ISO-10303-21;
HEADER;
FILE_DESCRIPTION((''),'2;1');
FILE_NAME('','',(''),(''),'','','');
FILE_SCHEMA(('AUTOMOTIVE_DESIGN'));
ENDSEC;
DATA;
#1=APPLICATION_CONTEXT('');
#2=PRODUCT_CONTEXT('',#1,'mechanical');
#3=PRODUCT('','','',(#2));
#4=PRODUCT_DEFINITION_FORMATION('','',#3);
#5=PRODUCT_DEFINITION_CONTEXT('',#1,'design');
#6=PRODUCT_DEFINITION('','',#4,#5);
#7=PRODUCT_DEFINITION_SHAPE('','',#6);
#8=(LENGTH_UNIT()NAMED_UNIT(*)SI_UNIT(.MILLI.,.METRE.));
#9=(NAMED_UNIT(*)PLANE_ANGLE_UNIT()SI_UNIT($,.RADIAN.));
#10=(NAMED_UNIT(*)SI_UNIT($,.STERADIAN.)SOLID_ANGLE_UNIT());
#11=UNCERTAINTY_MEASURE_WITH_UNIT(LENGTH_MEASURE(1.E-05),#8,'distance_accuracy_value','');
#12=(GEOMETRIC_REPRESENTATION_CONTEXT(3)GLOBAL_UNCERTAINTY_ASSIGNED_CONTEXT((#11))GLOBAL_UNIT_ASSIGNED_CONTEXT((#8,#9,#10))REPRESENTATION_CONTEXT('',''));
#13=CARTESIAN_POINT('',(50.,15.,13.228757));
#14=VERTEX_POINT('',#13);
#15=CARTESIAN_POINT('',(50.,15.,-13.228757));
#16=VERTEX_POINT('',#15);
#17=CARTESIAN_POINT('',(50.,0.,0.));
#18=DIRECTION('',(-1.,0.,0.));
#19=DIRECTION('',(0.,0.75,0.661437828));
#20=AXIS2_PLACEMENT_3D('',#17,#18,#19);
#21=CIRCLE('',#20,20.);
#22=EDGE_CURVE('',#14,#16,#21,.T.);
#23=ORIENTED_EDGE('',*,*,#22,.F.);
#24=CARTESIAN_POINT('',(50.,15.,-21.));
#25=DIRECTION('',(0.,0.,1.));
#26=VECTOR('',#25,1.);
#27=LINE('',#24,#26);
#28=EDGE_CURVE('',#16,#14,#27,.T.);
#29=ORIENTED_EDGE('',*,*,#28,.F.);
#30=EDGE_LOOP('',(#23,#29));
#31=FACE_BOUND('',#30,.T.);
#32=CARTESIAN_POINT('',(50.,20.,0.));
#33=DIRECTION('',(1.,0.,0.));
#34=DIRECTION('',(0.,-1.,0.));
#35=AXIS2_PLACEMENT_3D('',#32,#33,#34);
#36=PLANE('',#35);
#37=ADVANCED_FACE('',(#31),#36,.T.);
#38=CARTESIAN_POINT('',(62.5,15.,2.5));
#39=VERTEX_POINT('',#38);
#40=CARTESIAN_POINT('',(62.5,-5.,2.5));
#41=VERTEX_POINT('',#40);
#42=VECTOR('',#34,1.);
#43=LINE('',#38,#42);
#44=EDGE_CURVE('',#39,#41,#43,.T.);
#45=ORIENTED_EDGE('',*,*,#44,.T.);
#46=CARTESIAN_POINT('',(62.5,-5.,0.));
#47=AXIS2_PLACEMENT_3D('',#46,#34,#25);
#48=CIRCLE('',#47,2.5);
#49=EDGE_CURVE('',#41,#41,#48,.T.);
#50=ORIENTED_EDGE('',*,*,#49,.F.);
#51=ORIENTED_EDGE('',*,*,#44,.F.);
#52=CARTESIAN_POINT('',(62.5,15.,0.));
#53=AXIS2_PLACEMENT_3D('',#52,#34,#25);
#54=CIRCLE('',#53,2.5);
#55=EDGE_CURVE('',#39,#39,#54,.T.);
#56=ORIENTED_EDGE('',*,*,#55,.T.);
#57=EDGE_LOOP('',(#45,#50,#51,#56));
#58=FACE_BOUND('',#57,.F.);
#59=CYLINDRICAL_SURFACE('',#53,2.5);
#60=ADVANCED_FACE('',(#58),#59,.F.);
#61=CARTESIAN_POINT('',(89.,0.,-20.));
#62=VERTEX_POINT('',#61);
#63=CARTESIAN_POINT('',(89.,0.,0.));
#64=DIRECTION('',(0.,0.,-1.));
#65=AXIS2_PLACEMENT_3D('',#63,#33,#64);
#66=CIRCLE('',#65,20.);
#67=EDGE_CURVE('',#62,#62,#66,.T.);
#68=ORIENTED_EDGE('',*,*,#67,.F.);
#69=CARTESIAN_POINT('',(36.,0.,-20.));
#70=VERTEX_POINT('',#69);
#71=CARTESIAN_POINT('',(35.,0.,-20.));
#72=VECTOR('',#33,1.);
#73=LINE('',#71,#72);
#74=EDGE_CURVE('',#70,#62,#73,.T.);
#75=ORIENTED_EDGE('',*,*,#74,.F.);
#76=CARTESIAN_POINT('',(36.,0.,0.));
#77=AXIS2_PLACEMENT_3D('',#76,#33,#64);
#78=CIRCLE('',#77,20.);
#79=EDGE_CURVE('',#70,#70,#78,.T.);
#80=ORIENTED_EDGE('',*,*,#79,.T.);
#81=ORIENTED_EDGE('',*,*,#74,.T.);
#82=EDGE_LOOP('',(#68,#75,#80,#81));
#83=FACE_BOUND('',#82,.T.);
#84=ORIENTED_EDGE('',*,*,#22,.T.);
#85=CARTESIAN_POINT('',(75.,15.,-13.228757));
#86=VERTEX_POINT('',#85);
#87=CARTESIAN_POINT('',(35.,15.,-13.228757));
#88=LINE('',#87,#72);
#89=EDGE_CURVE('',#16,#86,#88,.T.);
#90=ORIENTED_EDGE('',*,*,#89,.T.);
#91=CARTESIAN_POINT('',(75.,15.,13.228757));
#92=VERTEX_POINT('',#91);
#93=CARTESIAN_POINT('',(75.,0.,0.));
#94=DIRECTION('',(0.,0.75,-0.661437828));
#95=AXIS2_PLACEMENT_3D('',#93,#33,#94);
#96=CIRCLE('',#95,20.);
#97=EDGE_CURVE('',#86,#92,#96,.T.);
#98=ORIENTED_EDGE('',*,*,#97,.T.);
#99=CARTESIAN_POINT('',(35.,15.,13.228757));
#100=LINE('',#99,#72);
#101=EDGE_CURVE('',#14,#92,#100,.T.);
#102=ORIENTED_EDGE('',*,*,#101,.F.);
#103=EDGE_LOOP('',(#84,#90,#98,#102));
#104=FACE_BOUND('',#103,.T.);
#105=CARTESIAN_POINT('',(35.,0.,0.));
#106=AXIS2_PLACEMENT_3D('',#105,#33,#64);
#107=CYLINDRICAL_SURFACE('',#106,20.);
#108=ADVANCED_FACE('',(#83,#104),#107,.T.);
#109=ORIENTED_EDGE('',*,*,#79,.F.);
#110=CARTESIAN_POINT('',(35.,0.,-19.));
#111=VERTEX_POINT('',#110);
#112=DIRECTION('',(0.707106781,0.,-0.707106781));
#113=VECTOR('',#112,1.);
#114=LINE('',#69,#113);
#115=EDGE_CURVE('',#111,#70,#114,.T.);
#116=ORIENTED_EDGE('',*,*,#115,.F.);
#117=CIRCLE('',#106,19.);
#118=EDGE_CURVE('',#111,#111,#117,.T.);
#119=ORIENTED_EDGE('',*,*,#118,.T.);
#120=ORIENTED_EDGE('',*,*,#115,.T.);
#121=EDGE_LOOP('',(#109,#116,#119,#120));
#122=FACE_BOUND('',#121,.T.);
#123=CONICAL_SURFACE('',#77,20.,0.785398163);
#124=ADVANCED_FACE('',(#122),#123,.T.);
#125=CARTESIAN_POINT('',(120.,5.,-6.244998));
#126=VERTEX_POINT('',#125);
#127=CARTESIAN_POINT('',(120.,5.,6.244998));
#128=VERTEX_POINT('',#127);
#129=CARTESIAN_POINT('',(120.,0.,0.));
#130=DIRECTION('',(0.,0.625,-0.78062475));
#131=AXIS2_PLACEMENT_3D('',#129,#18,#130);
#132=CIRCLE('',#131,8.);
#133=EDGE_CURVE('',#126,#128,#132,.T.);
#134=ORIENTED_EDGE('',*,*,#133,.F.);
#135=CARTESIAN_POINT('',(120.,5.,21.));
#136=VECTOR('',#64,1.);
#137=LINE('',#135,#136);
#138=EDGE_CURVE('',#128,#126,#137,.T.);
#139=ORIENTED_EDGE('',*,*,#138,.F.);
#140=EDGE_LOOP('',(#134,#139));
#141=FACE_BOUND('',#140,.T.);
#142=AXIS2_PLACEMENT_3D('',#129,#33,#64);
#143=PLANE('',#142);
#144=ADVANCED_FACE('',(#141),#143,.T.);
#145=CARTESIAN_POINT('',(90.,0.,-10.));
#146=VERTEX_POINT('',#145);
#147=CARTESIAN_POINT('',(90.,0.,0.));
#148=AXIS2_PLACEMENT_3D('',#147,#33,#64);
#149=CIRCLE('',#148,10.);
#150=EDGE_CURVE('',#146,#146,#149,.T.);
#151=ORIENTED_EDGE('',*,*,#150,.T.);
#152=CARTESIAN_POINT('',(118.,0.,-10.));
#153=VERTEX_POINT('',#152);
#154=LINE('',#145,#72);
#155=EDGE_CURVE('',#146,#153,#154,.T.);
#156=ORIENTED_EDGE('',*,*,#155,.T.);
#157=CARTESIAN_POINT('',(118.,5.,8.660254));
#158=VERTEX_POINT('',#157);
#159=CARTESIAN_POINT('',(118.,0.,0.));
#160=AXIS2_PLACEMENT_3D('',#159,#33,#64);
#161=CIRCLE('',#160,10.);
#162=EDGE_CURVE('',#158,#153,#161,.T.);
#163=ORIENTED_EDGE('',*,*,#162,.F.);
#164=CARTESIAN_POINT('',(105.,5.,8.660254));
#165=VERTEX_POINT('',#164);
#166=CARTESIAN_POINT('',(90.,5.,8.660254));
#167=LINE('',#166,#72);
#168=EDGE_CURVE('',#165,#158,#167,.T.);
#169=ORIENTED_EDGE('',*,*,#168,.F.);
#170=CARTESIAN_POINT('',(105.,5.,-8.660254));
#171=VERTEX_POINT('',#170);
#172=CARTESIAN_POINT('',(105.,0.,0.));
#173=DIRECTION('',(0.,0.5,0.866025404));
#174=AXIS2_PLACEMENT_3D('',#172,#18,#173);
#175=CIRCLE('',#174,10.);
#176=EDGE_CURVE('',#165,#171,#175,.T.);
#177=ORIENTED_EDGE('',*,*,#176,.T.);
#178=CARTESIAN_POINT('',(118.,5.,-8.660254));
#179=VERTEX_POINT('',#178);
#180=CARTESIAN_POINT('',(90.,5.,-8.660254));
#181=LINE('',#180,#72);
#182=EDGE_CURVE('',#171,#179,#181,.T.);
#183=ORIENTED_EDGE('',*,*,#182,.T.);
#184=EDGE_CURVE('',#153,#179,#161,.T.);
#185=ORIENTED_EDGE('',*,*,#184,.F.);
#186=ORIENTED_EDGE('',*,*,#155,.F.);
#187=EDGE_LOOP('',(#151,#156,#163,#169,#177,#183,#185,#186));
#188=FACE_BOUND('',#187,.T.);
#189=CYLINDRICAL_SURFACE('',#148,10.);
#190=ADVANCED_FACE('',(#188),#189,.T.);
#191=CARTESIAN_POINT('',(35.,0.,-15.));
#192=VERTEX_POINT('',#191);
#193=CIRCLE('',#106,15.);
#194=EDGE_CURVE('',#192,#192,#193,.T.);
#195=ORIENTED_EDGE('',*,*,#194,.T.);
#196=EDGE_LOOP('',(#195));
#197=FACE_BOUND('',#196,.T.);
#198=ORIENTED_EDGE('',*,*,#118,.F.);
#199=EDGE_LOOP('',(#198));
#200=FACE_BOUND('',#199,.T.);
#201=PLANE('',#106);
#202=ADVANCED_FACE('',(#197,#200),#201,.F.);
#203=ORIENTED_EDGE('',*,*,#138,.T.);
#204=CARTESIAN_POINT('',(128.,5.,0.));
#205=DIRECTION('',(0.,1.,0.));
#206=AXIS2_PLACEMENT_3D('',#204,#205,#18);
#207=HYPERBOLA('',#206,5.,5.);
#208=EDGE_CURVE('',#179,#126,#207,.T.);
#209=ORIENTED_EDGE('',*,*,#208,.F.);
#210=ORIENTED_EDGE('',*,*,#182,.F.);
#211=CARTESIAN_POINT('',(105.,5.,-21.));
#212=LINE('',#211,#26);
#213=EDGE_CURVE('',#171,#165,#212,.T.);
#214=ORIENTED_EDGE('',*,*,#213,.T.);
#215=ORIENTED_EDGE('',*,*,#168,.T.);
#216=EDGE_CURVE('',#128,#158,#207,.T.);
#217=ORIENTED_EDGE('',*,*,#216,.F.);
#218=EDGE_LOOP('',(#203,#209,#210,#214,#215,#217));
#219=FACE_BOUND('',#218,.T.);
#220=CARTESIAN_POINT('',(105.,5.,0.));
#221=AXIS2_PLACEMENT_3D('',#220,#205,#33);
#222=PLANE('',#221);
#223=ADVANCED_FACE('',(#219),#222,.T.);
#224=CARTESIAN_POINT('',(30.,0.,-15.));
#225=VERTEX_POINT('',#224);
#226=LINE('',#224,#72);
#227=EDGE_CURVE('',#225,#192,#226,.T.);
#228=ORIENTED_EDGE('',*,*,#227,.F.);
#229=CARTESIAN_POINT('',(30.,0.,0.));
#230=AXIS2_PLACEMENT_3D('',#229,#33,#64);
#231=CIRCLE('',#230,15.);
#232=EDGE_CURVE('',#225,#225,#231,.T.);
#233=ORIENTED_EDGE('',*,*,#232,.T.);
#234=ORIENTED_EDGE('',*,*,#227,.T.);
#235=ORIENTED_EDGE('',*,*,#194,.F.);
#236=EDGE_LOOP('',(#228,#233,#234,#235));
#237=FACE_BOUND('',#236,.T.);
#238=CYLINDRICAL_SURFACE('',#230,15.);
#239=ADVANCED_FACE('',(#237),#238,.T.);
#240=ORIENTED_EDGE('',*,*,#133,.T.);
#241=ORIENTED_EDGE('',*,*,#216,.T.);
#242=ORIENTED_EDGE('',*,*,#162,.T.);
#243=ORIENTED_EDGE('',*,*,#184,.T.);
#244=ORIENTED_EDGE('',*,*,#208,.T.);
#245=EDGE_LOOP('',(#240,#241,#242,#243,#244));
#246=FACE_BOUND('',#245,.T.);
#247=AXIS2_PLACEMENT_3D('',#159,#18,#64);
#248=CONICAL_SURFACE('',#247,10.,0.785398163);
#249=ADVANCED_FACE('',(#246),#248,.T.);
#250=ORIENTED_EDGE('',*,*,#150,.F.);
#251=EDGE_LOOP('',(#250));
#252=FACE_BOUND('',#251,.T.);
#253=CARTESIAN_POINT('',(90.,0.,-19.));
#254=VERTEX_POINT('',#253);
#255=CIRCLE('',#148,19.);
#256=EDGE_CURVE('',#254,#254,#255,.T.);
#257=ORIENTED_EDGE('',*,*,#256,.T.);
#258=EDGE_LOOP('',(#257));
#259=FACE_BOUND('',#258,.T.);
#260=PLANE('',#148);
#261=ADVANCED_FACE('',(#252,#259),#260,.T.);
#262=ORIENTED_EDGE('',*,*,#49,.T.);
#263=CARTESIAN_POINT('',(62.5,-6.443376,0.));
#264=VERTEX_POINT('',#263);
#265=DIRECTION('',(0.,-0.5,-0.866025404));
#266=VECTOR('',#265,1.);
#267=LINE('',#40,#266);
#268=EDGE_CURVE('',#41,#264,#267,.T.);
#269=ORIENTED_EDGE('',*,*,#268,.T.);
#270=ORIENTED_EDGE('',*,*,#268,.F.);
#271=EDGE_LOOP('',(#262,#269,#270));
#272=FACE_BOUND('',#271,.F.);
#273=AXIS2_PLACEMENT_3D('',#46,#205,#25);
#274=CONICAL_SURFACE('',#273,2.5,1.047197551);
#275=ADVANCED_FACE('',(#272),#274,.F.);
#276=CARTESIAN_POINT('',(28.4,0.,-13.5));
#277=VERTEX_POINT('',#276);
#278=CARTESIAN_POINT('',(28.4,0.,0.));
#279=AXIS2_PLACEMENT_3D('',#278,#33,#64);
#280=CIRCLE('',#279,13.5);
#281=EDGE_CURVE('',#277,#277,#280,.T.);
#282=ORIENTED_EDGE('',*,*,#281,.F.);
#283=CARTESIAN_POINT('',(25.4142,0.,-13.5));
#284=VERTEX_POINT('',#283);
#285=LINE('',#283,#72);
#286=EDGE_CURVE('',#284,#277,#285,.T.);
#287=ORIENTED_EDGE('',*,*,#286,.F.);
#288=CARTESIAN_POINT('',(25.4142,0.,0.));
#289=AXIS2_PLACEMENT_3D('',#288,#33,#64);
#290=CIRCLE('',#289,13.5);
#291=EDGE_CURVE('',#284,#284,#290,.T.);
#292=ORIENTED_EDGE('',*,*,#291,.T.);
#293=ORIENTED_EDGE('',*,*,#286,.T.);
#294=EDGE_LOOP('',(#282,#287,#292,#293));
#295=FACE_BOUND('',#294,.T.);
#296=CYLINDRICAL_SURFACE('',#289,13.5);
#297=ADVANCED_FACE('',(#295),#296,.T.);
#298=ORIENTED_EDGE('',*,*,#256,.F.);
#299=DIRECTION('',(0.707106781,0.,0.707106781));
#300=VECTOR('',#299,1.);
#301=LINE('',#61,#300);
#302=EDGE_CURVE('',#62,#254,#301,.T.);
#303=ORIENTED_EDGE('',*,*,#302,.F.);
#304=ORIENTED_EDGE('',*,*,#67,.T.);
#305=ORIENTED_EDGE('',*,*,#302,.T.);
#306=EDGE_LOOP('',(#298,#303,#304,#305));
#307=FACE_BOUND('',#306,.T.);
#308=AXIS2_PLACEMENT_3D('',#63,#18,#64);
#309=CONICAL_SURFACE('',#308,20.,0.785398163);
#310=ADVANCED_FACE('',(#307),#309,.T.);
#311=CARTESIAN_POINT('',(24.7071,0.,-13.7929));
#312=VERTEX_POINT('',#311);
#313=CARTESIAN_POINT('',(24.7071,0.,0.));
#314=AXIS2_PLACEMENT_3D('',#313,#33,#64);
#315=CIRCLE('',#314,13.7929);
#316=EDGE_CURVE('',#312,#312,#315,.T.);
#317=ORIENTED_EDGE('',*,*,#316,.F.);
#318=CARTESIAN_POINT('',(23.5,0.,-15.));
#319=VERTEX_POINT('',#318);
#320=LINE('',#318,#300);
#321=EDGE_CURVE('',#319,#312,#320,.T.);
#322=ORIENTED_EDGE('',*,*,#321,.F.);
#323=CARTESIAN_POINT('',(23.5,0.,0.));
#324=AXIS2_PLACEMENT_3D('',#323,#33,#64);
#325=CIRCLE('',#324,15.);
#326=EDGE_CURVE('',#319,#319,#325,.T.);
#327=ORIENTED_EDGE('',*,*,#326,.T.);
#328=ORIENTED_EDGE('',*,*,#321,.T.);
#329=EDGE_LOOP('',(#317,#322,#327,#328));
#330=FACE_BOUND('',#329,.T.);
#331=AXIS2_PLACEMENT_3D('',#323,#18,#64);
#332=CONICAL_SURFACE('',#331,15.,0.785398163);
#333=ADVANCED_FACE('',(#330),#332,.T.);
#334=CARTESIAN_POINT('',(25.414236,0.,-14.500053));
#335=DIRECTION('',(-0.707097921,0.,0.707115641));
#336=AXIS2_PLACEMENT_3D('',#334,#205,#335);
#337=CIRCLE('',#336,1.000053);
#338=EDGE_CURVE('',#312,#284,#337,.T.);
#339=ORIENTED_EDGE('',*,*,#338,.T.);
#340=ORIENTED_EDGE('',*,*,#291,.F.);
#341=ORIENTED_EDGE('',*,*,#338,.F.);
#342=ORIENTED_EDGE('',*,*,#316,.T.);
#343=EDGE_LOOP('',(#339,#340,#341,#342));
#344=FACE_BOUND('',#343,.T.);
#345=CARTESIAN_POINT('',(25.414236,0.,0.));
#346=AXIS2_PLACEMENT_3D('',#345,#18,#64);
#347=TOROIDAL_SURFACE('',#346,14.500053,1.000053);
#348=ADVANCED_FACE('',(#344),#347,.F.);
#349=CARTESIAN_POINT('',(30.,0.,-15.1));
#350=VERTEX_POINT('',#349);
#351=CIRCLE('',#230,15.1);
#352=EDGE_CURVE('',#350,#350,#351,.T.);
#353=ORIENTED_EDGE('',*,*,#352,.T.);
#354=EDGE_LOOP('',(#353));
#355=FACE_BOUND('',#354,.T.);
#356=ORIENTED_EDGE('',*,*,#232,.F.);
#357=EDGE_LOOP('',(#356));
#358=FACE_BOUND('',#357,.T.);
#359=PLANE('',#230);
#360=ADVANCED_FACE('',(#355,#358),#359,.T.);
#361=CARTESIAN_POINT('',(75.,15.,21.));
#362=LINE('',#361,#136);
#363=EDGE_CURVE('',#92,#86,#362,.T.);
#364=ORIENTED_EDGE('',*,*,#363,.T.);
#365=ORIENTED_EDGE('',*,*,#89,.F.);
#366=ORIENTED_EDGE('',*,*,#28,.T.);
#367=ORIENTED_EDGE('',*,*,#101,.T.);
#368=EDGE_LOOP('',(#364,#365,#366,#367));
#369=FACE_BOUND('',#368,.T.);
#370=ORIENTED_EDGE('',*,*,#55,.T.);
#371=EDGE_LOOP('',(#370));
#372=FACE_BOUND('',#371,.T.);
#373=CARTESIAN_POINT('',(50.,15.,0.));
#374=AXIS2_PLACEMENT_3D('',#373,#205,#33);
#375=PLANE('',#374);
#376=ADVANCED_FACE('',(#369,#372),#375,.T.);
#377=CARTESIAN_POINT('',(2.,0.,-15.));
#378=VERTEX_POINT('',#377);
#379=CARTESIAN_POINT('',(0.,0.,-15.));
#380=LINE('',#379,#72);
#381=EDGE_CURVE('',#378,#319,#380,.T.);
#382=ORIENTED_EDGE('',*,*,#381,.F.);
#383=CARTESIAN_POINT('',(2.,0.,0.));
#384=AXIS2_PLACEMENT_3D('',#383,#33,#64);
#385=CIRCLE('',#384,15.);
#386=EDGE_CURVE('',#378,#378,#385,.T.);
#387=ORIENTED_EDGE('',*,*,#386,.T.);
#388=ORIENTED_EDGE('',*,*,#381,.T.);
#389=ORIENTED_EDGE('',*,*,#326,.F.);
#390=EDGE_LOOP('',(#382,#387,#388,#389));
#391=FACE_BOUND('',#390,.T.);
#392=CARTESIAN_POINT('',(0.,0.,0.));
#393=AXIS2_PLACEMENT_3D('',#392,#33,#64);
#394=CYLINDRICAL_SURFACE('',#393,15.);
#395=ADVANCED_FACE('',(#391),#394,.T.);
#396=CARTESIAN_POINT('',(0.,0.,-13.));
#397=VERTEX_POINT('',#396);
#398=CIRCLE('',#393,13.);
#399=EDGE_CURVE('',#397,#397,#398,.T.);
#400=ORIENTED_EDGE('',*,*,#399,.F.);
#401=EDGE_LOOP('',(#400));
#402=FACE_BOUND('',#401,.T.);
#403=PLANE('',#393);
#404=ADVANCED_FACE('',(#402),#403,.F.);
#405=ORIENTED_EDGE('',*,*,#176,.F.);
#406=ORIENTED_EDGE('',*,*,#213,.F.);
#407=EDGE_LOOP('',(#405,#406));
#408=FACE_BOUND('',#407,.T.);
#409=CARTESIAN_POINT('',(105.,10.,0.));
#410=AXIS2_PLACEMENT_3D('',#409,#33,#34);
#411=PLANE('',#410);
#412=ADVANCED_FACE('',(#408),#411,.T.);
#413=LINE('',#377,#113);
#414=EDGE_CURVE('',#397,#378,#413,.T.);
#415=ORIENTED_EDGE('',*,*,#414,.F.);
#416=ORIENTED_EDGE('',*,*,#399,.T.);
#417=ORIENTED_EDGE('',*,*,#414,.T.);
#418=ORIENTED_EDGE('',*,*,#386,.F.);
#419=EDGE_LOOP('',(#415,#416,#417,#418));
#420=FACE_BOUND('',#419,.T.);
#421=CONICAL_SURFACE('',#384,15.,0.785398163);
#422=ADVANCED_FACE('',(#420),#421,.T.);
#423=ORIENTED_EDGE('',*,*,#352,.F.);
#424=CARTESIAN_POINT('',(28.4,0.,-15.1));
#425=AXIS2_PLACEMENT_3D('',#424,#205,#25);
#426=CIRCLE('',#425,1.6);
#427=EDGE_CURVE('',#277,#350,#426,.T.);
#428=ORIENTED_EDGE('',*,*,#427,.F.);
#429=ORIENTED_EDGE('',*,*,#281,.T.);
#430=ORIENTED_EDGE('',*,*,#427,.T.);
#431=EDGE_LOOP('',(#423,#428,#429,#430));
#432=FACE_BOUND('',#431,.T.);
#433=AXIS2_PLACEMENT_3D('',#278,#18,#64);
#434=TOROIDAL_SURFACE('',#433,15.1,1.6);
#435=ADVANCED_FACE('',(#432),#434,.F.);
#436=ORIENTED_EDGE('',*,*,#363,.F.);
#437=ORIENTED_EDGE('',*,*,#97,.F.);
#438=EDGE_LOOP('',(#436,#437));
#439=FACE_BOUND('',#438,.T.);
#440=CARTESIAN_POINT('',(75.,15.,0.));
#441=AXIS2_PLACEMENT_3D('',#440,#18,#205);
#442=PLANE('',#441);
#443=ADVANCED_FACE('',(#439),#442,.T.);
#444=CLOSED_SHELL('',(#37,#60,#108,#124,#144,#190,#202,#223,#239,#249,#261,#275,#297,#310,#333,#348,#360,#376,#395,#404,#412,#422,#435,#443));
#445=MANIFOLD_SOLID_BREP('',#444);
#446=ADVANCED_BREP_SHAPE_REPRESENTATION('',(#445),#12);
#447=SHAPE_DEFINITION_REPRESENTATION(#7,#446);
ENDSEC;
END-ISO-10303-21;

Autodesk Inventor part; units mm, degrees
ref_plane "YZ Plane" through (0, 0, 0) normal (1, 0, 0) x (0, 1, 0)
ref_plane "XZ Plane" through (0, 0, 0) normal (0, 1, 0) x (-1, 0, 0)
ref_plane "XY Plane" through (0, 0, 0) normal (0, 0, 1) x (1, 0, 0)
sketch "Эскиз1" plane through (0, 0, 0) normal (0, 1, 0) x (-1, 0, 0)
  line L0 (0, 0) -> (0, -15)
  line L1 (0, -15) -> (-23.5, -15)
  line L2 (-23.5, -15) -> (-24.7071, -13.7929)
  line L3 (-25.4142, -13.5) -> (-28.4, -13.5)
  line L4 (-35, -20) -> (-90, -20)
  line L5 (-90, -20) -> (-90, -10)
  line L6 (-90, -10) -> (-120, -10)
  line L7 (-120, -10) -> (-120, 0)
  line L8 (-30, -15.1) -> (-30, -15)
  line L9 (-30, -15) -> (-35, -15)
  line L10 (-35, -15) -> (-35, -20)
  line L11 (0, 0) -> (-120, 0)
  line L12 (24, 0) -> (-144, 0) projected
  arc A0 (-24.7071, -13.7929) -> (-25.4142, -13.5) centre (-25.4142, -14.5) ccw
  arc A1 (-28.4, -13.5) -> (-30, -15.1) centre (-28.4, -15.1) ccw
  point P0 (-25, -13.5)
  point P1 (-30, -13.5)
  dimension "d3" = 45
  dimension "d6" = 5
  dimension "d8" = 30
  dimension "d9" = 35
  dimension "d11" = 55
  dimension "d14" = 15
  dimension "d15" = 13.5
  dimension "d16" = 15
  dimension "d17" = 20
  dimension "d18" = 10
  dimension "d19" = 120
  dimension "d20" = 1
  dimension "d21" = 1.6
revolve "Вращение1" add sketch "Эскиз1" angle 360 about axis through (-10, 0, 0) along (1, 0, 0)
thread "Резьба1" size "M30x2" class "6g" standard "ANSI Metric M Profile" full length
chamfer "Фаска1" distance 2 angle 45 2 edges at (0, 0, 15) (120, 0, 10)
chamfer "Фаска2" distance 1 angle 45 2 edges at (35, 0, 20) (90, 0, 20)
sketch "Эскиз2" plane through (0, 0, 0) normal (0, 0, 1) x (1, 0, 0)
  line L0 (105, 10) -> (105, 5)
  line L1 (105, 5) -> (120, 5)
  line L2 (120, 5) -> (120, 10)
  line L3 (120, 10) -> (105, 10)
  line L4 (120, 8) -> (120, -8) projected
  line L5 (90, 10) -> (118, 10) projected
  line L6 (90, -10) -> (118, -10) projected
  point P0 (0, 0)
  dimension "d30" = 15
  dimension "d31" = 15
extrude "Выдавливание1" cut sketch "Эскиз2" along normal through all both and the other way through all
sketch "Эскиз3" plane through (0, 0, 0) normal (0, 0, 1) x (1, 0, 0)
  line L0 (50, 20) -> (50, 15)
  line L1 (50, 15) -> (75, 15)
  line L2 (75, 15) -> (75, 20)
  line L3 (75, 20) -> (50, 20)
  line L4 (35, -19) -> (35, 19) projected
  line L5 (36, 20) -> (89, 20) projected
  line L6 (36, -20) -> (89, -20) projected
  point P0 (0, 0)
  dimension "d34" = 35
  dimension "d35" = 15
  dimension "d36" = 25
extrude "Выдавливание2" cut sketch "Эскиз3" along normal through all both and the other way through all
sketch "Эскиз4" plane through (50, 15, -13.2288) normal (0, 1, 0) x (1, 0, 0)
  line L0 (-74, -13.2288) -> (94, -13.2288) projected
  line L1 (0, 0) -> (0, -26.4575) projected
  point P0 (-50, -13.2288)
  point P1 (12.5, -13.2288)
  dimension "d39" = 12.5
hole "Отверстие1" at (62.5, 15, 0) direction (0, -1, 0) diameter 5 depth 20 tip angle 120
properties part number "Вал"
